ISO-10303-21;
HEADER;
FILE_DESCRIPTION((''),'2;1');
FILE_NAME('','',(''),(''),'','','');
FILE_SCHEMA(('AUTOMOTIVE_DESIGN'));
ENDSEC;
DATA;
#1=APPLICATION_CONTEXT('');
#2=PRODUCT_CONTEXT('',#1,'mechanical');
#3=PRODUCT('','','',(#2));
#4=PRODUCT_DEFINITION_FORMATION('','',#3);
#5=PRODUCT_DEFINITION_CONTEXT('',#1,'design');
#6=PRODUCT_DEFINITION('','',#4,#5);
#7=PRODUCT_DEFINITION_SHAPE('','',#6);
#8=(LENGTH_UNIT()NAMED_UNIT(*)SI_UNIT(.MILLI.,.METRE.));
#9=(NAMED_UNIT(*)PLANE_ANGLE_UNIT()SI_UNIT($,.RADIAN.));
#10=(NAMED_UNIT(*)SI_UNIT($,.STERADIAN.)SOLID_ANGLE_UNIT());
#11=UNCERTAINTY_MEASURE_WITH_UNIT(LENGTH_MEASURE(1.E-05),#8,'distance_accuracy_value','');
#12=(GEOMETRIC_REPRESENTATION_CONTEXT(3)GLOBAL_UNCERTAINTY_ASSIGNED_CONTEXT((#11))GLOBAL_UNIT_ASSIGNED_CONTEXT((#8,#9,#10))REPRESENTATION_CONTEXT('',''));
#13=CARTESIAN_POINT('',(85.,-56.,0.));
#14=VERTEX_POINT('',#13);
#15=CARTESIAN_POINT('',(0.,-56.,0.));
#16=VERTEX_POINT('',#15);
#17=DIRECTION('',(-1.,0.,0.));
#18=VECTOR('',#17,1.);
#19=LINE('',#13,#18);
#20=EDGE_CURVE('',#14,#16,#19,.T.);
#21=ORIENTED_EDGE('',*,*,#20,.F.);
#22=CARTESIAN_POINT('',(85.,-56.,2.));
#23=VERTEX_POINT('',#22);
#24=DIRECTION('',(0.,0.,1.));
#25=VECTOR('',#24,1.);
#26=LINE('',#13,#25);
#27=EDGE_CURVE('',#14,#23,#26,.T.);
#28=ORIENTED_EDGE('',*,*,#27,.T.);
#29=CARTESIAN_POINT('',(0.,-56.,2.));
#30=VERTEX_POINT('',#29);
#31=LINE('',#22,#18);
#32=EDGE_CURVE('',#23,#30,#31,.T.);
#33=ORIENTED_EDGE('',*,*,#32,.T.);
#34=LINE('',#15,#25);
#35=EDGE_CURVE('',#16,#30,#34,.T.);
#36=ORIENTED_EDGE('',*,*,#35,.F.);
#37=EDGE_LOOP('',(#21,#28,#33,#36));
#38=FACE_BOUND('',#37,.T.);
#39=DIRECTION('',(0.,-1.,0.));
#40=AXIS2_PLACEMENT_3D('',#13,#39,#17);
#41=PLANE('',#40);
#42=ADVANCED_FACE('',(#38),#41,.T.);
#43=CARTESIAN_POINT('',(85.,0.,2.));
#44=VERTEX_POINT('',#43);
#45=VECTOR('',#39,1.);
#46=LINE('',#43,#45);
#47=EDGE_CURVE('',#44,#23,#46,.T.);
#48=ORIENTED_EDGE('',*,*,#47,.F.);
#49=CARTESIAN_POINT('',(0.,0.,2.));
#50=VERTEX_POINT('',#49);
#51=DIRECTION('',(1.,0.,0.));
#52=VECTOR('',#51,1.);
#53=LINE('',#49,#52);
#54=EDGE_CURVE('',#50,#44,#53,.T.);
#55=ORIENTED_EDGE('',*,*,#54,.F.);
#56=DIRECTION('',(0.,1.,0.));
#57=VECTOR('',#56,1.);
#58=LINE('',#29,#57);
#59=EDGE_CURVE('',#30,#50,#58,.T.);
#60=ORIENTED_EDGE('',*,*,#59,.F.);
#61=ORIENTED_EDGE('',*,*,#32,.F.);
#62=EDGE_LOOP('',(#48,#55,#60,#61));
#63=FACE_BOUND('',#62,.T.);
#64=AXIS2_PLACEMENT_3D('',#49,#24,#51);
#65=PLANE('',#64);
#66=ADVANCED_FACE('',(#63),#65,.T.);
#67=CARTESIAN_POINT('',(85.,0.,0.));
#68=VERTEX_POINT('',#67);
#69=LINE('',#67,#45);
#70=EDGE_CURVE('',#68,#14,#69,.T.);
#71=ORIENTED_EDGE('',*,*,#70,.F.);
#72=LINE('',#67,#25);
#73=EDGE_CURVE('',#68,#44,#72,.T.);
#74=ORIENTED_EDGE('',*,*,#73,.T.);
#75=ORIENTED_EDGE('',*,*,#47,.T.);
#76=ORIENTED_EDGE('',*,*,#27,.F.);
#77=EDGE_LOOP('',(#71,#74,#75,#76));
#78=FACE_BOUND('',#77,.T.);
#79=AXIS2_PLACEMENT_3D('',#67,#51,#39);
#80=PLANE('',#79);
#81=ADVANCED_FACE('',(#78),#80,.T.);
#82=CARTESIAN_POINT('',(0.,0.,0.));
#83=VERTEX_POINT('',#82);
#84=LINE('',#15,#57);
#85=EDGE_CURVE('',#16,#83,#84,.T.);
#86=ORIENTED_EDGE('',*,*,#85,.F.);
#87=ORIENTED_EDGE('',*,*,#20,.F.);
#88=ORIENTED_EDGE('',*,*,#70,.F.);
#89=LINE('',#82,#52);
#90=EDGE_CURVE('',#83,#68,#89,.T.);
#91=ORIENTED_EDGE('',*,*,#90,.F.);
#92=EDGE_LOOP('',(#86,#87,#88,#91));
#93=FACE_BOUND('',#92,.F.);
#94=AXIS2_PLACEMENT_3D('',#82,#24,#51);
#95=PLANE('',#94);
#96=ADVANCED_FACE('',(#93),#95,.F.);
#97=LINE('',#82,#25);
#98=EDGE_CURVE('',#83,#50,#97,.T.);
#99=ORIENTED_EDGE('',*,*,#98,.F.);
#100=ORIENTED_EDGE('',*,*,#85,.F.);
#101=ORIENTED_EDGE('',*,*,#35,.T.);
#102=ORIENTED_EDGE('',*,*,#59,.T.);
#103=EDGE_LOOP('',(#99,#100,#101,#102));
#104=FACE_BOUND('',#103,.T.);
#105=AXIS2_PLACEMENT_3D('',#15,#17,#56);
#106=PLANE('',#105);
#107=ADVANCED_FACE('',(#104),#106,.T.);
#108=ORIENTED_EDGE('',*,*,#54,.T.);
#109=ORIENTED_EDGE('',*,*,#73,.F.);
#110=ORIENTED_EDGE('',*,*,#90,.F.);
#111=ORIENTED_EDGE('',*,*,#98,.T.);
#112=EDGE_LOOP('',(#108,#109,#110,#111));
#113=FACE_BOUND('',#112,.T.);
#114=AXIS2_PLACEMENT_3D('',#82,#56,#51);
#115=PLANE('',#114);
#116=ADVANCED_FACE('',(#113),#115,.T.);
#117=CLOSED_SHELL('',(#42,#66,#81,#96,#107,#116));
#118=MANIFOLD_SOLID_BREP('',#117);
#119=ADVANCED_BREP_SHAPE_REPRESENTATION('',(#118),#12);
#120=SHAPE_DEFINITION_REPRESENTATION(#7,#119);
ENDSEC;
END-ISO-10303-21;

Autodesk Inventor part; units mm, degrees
ref_plane "YZ Plane" through (0, 0, 0) normal (1, 0, 0) x (0, 1, 0)
ref_plane "XZ Plane" through (0, 0, 0) normal (0, 1, 0) x (-1, 0, 0)
ref_plane "XY Plane" through (0, 0, 0) normal (0, 0, 1) x (1, 0, 0)
sketch "Sketch1" plane through (0, 0, 0) normal (0, 0, 1) x (1, 0, 0)
  point P0 (0, 0)
sketch "Sketch2" plane through (0, 0, 0) normal (0, 0, 1) x (1, 0, 0)
  line L0 (0, 0) -> (85, 0)
  line L1 (85, 0) -> (85, -56)
  line L2 (85, -56) -> (0, -56)
  line L3 (0, -56) -> (0, 0)
  dimension "d0" = 85
  dimension "d1" = 56
extrude "Extrusion1" add sketch "Sketch2" along normal blind 2
equation "\"BendRadius\" = Thickness"
equation "\"BendReliefWidth\" = Thickness"
equation "\"BendReliefDepth\" = 0.5 * Thickness"
equation "\"CornerReliefSize\" = 4 * Thickness"
equation "\"MinimumRemnant\" = 2 * Thickness"
equation "\"TransitionRadius\" = BendRadius"
equation "\"JacobiRadiusSize\" = BendRadius"
equation "\"GapSize\" = Thickness"
equation "\"Thickness\" = 0.5"
properties part number "RPI_Board_Place_Holder"
